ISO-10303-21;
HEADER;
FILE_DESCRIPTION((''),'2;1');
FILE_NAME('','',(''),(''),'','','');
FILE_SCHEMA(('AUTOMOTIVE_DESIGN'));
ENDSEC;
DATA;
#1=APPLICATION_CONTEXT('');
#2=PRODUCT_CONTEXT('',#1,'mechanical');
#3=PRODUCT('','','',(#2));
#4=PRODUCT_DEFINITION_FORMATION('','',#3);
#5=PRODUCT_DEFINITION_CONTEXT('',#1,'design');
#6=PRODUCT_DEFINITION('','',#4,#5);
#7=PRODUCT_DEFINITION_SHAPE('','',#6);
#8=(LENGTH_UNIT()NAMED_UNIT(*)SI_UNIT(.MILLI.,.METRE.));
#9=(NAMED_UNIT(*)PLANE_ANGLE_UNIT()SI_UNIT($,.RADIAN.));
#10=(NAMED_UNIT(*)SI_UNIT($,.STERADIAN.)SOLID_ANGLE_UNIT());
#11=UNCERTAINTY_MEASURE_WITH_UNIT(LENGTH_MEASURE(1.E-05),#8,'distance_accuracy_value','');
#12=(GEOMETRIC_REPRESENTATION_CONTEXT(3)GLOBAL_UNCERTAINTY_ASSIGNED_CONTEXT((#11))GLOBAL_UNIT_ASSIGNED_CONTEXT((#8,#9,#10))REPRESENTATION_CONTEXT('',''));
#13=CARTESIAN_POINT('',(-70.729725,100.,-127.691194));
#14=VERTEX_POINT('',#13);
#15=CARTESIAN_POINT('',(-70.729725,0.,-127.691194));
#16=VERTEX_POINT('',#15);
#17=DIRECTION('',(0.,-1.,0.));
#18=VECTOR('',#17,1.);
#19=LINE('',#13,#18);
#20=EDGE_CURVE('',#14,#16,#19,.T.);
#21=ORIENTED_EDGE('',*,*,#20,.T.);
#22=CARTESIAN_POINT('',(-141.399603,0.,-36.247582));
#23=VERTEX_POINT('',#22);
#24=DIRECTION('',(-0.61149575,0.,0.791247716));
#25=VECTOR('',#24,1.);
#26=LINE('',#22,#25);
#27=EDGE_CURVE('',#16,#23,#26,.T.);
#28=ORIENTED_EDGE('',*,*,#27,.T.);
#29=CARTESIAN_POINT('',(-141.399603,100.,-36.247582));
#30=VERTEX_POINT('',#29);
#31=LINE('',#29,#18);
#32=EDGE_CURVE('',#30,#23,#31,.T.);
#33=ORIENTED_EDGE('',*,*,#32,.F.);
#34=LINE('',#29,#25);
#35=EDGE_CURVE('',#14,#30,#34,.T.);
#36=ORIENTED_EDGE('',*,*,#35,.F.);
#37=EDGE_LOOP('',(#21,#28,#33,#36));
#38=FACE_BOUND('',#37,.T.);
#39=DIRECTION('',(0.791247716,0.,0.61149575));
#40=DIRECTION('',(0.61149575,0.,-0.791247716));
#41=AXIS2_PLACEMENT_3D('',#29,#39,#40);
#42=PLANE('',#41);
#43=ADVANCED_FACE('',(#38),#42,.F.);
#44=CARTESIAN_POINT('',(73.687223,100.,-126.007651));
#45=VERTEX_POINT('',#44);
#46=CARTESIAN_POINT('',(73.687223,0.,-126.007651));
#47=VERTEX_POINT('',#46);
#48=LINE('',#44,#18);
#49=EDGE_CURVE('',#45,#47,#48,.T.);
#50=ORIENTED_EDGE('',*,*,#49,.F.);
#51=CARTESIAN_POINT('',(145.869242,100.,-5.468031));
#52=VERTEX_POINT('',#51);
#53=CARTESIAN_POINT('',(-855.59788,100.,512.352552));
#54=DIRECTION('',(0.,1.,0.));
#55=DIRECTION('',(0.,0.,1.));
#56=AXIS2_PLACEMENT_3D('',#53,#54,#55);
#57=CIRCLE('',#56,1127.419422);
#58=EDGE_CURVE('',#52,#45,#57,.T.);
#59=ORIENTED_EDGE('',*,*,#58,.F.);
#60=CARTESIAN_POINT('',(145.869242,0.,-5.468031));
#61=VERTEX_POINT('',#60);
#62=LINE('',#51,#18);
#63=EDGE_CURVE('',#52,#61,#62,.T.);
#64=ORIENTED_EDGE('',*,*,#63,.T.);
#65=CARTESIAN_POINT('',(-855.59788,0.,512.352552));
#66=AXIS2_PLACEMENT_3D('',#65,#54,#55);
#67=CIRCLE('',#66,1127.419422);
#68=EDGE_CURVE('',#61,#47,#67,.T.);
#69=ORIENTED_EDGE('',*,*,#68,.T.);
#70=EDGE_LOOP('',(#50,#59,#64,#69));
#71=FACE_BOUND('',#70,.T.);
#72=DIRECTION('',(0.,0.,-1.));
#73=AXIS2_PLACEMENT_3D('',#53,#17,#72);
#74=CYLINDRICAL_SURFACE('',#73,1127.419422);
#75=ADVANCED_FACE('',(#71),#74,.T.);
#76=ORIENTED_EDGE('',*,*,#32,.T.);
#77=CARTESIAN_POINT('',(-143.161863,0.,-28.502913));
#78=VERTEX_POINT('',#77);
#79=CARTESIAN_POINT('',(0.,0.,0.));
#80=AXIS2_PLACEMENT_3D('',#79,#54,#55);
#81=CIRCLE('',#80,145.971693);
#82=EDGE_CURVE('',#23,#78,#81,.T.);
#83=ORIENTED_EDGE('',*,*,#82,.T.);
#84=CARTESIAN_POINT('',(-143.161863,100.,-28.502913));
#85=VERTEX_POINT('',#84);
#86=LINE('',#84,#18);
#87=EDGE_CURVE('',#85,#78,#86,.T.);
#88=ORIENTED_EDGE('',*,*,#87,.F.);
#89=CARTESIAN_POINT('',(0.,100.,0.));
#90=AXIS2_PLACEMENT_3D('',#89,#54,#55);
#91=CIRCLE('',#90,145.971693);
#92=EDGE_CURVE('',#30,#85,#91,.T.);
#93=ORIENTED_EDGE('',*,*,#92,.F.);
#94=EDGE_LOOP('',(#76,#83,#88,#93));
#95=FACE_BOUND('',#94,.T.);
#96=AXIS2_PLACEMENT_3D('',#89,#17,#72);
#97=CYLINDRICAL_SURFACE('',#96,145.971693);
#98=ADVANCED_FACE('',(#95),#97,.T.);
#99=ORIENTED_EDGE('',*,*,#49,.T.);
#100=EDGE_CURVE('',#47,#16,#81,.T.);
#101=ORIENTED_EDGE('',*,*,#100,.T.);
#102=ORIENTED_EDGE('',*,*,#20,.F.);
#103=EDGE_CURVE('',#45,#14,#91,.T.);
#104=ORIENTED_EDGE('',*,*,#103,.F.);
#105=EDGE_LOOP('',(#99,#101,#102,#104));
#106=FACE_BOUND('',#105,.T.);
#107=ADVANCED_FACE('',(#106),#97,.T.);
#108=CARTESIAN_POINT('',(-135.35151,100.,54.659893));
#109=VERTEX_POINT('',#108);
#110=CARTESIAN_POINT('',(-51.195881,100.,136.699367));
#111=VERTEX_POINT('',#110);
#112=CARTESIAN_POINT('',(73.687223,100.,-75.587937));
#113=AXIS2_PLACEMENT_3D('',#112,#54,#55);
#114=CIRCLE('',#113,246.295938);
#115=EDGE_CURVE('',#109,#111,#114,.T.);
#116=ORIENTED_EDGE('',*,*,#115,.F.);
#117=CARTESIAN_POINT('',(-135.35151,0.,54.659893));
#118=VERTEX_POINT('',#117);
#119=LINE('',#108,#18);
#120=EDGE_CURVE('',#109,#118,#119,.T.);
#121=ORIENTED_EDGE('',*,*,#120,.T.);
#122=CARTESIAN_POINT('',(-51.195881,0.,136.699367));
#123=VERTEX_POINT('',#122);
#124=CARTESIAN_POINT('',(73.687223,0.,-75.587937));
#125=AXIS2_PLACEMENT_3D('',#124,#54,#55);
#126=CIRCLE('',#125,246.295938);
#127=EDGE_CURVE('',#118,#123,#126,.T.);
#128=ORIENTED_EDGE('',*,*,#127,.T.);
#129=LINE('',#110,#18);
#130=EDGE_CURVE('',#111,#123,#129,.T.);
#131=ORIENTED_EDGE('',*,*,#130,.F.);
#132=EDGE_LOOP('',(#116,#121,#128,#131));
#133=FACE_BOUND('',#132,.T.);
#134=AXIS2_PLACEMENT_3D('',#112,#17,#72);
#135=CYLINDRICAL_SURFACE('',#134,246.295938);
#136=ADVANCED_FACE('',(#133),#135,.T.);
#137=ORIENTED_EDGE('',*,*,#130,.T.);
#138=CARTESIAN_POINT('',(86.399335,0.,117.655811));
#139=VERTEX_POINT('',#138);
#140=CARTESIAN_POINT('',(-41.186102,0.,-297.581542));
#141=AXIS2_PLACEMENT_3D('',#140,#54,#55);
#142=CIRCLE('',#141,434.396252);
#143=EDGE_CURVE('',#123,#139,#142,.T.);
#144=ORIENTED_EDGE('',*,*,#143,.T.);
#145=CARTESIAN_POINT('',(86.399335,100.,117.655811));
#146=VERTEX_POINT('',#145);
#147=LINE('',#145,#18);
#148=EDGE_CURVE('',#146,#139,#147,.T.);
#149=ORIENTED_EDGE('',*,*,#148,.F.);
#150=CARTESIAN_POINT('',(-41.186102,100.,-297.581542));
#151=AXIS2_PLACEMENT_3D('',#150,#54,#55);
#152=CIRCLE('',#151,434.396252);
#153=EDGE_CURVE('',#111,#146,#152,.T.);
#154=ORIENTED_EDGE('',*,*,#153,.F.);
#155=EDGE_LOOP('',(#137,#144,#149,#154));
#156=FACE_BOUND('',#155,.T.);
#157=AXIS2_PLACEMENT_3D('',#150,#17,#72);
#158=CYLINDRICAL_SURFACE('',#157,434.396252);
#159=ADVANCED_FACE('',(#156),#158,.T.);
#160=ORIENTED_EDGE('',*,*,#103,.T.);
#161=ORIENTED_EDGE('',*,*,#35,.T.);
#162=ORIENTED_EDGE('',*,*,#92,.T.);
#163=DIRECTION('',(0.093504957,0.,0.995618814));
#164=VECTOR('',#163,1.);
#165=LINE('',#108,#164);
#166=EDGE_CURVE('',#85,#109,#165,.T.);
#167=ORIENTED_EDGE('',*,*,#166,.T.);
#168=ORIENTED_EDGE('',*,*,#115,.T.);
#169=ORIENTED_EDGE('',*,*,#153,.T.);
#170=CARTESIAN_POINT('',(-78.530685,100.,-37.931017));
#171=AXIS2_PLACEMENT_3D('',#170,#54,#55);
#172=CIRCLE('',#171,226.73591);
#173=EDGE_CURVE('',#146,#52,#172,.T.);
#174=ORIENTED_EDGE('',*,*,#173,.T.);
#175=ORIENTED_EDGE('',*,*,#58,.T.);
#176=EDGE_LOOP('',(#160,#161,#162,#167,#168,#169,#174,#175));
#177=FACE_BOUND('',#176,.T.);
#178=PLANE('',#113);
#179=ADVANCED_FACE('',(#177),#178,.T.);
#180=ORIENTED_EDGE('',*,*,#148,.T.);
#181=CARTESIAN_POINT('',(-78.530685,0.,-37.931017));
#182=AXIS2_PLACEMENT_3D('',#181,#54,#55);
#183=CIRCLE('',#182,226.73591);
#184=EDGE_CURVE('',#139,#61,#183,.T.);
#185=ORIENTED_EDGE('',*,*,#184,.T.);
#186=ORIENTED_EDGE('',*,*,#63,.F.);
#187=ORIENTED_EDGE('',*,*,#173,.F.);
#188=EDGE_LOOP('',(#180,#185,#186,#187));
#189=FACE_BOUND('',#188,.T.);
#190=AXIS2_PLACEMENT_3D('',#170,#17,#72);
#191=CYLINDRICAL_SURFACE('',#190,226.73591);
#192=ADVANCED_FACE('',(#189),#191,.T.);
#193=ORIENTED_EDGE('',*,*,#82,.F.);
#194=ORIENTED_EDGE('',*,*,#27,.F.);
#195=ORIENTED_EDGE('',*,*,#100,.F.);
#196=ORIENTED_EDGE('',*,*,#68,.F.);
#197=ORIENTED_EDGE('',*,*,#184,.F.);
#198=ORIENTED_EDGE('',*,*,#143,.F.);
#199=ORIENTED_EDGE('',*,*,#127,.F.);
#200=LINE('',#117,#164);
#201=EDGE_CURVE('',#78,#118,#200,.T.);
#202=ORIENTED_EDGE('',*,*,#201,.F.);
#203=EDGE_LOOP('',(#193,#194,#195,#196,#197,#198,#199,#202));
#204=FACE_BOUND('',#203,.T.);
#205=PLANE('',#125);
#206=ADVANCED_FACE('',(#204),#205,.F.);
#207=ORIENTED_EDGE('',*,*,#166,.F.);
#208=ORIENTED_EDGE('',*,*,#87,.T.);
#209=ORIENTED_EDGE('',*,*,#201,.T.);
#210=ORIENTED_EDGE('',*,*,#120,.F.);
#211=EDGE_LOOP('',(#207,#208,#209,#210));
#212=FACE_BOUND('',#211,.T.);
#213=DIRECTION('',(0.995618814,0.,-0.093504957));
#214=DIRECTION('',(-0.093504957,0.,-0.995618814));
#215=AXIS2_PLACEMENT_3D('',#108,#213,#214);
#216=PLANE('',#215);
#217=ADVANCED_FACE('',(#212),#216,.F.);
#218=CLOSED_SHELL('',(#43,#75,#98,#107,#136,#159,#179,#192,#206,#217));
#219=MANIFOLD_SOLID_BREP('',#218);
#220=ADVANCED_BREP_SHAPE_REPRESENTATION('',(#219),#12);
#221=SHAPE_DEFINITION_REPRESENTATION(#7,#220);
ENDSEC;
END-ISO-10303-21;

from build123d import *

# Parameters (mm, degrees)
BOSS_EXTRUDE1_DEPTH = 100


with BuildPart() as part:
    # Sketch1 → Boss-Extrude1 (new body)
    with BuildSketch(Plane(origin=(0, 0, 0), x_dir=(1, 0, 0), z_dir=(0, 1, 0))):
        with BuildLine():
            Line((-135.351509673, -54.659892728), (-143.16186287, 28.502913245))
            ThreePointArc((-143.16186287, 28.502913245), (-142.333418361, 32.387236089), (-141.399603301, 36.247582406))
            Line((-141.399603301, 36.247582406), (-70.729724798, 127.691194191))
            ThreePointArc((-70.729724798, 127.691194191), (1.701551679, 145.961775016), (73.687223064, 126.007651359))
            ThreePointArc((73.687223064, 126.007651359), (111.65776791, 66.863352087), (145.869241729, 5.468030837))
            ThreePointArc((145.869241729, 5.468030837), (125.636702297, -60.683640158), (86.399335375, -117.655811121))
            ThreePointArc((86.399335375, -117.655811121), (18.367849273, -132.71304327), (-51.195880989, -136.699366544))
            ThreePointArc((-51.195880989, -136.699366544), (-98.238828154, -100.772834831), (-135.351509673, -54.659892728))
        make_face()
    extrude(amount=BOSS_EXTRUDE1_DEPTH)


solid = part.part
